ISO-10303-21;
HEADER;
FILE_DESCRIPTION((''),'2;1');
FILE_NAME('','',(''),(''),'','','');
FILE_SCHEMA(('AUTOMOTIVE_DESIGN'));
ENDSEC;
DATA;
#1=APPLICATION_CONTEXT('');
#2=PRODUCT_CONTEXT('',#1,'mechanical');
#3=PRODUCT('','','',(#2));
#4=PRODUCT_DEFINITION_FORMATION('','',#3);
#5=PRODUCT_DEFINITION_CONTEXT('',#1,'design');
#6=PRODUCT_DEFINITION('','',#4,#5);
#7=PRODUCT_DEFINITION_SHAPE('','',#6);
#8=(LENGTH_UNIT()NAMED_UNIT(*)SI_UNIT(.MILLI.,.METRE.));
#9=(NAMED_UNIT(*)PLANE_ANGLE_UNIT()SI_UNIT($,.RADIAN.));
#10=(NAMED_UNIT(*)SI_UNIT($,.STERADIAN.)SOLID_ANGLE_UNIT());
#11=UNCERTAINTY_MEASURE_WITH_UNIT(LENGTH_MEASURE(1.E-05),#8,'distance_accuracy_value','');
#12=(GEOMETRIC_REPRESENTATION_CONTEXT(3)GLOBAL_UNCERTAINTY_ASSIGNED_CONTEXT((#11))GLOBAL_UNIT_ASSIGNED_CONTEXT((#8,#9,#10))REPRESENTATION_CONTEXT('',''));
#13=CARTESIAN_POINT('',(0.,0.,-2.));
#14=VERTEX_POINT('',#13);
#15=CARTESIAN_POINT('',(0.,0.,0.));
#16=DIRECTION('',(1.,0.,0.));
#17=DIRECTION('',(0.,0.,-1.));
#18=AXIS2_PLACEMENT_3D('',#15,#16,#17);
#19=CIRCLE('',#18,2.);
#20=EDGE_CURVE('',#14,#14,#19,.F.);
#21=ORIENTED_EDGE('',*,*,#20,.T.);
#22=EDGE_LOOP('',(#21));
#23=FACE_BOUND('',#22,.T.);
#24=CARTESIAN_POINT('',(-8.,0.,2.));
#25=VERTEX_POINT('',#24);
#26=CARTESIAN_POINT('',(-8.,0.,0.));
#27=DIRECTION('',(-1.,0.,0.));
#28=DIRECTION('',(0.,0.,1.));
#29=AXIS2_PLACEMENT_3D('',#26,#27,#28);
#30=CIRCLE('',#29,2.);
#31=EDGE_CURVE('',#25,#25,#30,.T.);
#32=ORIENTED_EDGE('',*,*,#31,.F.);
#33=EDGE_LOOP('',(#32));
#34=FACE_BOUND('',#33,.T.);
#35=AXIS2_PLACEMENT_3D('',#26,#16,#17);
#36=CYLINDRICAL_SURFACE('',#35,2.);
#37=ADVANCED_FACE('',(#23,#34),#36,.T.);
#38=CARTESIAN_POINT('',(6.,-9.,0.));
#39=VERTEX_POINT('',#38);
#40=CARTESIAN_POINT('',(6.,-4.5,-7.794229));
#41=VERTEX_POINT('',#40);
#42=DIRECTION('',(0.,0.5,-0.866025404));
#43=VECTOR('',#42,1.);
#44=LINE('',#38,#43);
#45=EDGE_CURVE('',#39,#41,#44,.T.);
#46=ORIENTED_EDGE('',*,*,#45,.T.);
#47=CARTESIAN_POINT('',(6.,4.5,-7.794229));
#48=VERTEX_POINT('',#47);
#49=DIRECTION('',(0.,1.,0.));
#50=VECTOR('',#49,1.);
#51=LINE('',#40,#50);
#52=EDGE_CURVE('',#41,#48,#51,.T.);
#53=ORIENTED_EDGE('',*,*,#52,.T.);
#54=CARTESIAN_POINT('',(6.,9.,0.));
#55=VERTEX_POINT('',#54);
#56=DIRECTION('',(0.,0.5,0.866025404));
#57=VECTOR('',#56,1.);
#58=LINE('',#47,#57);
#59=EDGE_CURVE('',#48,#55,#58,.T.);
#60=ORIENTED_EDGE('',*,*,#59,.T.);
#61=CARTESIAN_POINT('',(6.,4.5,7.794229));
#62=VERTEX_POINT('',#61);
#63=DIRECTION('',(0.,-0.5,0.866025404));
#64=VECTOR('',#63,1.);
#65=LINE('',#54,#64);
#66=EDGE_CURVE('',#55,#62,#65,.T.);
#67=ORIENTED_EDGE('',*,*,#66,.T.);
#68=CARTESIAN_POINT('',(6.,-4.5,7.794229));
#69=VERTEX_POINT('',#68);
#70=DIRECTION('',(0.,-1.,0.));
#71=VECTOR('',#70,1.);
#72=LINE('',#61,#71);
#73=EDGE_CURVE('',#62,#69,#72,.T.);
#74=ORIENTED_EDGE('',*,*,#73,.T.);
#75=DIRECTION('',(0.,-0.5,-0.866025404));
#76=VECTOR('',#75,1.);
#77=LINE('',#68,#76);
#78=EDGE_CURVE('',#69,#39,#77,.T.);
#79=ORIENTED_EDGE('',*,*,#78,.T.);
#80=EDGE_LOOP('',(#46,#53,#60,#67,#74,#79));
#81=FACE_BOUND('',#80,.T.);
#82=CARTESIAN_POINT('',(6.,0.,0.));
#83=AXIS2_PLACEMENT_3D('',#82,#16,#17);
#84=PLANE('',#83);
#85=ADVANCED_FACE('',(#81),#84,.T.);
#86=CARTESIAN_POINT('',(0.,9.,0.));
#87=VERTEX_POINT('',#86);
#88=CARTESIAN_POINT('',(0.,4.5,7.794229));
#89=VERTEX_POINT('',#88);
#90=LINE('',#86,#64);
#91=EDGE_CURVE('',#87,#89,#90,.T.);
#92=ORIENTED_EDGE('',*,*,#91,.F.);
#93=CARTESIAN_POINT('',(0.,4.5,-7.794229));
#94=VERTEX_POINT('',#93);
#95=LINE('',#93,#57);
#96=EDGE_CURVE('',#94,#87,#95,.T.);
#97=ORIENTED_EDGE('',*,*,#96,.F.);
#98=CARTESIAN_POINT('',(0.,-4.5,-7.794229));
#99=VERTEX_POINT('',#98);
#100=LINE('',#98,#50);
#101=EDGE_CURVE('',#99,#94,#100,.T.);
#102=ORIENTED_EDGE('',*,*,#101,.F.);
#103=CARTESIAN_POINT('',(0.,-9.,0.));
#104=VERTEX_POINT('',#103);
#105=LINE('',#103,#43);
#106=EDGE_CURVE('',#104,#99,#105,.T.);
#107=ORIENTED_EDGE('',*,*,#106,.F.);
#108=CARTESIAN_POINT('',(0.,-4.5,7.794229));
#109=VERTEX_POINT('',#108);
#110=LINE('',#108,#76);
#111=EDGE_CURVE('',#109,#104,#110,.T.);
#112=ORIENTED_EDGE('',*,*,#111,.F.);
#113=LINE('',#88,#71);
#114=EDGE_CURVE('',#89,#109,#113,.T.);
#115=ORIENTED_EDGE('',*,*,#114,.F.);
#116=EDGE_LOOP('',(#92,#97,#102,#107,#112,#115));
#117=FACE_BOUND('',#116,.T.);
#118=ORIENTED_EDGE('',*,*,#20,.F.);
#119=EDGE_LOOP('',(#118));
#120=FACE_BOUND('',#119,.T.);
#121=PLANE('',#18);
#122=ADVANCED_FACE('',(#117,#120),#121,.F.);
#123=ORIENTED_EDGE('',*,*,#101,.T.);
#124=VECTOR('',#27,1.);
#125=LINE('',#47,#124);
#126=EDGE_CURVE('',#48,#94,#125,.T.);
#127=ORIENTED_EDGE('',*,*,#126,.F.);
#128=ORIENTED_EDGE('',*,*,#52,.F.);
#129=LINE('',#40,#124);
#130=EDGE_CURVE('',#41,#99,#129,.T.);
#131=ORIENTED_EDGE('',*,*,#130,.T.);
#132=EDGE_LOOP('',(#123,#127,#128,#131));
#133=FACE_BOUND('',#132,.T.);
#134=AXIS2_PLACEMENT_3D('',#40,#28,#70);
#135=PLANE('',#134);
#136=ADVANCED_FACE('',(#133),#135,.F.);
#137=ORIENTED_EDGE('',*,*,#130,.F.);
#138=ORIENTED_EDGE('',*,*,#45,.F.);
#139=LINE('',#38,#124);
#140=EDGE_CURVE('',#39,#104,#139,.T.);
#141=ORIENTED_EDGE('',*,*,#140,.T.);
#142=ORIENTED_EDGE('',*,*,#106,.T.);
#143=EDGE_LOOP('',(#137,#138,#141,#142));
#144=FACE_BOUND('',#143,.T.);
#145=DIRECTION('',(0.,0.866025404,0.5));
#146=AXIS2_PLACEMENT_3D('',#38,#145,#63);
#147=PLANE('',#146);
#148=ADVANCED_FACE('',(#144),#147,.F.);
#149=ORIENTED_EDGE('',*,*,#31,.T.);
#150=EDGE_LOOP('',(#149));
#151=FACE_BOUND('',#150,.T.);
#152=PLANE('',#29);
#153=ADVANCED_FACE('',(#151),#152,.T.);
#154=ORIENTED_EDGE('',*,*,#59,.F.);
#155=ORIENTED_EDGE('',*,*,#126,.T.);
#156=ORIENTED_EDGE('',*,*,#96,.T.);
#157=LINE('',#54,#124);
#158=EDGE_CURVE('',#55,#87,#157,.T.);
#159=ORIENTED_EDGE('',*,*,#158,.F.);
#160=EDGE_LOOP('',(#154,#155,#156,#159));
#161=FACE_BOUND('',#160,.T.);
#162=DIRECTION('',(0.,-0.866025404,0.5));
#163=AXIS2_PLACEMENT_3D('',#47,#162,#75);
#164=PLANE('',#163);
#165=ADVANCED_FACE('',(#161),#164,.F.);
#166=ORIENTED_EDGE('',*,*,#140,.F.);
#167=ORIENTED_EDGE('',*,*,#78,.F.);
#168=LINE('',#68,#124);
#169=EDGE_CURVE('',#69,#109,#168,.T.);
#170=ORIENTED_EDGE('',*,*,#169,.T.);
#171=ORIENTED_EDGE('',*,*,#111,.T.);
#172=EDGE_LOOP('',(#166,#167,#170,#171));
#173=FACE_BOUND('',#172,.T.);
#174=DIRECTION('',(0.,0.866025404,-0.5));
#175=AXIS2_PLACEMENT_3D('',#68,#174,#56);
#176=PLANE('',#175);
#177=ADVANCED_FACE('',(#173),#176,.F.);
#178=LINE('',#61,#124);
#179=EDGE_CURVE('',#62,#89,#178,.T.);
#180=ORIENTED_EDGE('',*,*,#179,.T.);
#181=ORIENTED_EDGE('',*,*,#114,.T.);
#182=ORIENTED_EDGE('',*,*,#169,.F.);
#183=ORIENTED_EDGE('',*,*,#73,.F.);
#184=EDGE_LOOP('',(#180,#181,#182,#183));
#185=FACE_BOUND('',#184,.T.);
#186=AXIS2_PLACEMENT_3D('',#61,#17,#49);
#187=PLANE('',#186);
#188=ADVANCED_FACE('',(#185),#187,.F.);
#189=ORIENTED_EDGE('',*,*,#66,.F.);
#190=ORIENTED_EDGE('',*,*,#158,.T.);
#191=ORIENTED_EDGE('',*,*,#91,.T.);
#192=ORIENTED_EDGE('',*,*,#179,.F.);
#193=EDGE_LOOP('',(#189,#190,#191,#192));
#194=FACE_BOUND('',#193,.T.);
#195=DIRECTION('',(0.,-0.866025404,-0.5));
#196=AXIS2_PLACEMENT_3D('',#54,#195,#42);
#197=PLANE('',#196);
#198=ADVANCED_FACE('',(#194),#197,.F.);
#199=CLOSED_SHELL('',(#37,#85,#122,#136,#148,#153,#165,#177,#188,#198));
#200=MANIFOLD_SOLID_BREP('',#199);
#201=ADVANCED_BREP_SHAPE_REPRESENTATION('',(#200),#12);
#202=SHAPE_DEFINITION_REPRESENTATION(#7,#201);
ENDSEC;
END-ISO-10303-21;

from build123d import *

# Parameters (mm, degrees)
BOSS_EXTRUDE1_DEPTH = 6
SKETCH2_R           = 2
BOSS_EXTRUDE2_DEPTH = 8


with BuildPart() as part:
    # Sketch1 → Boss-Extrude1 (new body)
    with BuildSketch(Plane(origin=(0, 0, 0), x_dir=(0, 0, -1), z_dir=(1, 0, 0))):
        Polygon((0, -9), (7.794228634, -4.5), (7.794228634, 4.5), (0, 9), (-7.794228634, 4.5), (-7.794228634, -4.5), align=None)
    extrude(amount=BOSS_EXTRUDE1_DEPTH)

    # Sketch2 → Boss-Extrude2 (add)
    with BuildSketch(Plane.ZY):
        with Locations(Location((0, 0, 0), (0, 0, 180))):
            Circle(SKETCH2_R)
    extrude(amount=BOSS_EXTRUDE2_DEPTH)


solid = part.part
